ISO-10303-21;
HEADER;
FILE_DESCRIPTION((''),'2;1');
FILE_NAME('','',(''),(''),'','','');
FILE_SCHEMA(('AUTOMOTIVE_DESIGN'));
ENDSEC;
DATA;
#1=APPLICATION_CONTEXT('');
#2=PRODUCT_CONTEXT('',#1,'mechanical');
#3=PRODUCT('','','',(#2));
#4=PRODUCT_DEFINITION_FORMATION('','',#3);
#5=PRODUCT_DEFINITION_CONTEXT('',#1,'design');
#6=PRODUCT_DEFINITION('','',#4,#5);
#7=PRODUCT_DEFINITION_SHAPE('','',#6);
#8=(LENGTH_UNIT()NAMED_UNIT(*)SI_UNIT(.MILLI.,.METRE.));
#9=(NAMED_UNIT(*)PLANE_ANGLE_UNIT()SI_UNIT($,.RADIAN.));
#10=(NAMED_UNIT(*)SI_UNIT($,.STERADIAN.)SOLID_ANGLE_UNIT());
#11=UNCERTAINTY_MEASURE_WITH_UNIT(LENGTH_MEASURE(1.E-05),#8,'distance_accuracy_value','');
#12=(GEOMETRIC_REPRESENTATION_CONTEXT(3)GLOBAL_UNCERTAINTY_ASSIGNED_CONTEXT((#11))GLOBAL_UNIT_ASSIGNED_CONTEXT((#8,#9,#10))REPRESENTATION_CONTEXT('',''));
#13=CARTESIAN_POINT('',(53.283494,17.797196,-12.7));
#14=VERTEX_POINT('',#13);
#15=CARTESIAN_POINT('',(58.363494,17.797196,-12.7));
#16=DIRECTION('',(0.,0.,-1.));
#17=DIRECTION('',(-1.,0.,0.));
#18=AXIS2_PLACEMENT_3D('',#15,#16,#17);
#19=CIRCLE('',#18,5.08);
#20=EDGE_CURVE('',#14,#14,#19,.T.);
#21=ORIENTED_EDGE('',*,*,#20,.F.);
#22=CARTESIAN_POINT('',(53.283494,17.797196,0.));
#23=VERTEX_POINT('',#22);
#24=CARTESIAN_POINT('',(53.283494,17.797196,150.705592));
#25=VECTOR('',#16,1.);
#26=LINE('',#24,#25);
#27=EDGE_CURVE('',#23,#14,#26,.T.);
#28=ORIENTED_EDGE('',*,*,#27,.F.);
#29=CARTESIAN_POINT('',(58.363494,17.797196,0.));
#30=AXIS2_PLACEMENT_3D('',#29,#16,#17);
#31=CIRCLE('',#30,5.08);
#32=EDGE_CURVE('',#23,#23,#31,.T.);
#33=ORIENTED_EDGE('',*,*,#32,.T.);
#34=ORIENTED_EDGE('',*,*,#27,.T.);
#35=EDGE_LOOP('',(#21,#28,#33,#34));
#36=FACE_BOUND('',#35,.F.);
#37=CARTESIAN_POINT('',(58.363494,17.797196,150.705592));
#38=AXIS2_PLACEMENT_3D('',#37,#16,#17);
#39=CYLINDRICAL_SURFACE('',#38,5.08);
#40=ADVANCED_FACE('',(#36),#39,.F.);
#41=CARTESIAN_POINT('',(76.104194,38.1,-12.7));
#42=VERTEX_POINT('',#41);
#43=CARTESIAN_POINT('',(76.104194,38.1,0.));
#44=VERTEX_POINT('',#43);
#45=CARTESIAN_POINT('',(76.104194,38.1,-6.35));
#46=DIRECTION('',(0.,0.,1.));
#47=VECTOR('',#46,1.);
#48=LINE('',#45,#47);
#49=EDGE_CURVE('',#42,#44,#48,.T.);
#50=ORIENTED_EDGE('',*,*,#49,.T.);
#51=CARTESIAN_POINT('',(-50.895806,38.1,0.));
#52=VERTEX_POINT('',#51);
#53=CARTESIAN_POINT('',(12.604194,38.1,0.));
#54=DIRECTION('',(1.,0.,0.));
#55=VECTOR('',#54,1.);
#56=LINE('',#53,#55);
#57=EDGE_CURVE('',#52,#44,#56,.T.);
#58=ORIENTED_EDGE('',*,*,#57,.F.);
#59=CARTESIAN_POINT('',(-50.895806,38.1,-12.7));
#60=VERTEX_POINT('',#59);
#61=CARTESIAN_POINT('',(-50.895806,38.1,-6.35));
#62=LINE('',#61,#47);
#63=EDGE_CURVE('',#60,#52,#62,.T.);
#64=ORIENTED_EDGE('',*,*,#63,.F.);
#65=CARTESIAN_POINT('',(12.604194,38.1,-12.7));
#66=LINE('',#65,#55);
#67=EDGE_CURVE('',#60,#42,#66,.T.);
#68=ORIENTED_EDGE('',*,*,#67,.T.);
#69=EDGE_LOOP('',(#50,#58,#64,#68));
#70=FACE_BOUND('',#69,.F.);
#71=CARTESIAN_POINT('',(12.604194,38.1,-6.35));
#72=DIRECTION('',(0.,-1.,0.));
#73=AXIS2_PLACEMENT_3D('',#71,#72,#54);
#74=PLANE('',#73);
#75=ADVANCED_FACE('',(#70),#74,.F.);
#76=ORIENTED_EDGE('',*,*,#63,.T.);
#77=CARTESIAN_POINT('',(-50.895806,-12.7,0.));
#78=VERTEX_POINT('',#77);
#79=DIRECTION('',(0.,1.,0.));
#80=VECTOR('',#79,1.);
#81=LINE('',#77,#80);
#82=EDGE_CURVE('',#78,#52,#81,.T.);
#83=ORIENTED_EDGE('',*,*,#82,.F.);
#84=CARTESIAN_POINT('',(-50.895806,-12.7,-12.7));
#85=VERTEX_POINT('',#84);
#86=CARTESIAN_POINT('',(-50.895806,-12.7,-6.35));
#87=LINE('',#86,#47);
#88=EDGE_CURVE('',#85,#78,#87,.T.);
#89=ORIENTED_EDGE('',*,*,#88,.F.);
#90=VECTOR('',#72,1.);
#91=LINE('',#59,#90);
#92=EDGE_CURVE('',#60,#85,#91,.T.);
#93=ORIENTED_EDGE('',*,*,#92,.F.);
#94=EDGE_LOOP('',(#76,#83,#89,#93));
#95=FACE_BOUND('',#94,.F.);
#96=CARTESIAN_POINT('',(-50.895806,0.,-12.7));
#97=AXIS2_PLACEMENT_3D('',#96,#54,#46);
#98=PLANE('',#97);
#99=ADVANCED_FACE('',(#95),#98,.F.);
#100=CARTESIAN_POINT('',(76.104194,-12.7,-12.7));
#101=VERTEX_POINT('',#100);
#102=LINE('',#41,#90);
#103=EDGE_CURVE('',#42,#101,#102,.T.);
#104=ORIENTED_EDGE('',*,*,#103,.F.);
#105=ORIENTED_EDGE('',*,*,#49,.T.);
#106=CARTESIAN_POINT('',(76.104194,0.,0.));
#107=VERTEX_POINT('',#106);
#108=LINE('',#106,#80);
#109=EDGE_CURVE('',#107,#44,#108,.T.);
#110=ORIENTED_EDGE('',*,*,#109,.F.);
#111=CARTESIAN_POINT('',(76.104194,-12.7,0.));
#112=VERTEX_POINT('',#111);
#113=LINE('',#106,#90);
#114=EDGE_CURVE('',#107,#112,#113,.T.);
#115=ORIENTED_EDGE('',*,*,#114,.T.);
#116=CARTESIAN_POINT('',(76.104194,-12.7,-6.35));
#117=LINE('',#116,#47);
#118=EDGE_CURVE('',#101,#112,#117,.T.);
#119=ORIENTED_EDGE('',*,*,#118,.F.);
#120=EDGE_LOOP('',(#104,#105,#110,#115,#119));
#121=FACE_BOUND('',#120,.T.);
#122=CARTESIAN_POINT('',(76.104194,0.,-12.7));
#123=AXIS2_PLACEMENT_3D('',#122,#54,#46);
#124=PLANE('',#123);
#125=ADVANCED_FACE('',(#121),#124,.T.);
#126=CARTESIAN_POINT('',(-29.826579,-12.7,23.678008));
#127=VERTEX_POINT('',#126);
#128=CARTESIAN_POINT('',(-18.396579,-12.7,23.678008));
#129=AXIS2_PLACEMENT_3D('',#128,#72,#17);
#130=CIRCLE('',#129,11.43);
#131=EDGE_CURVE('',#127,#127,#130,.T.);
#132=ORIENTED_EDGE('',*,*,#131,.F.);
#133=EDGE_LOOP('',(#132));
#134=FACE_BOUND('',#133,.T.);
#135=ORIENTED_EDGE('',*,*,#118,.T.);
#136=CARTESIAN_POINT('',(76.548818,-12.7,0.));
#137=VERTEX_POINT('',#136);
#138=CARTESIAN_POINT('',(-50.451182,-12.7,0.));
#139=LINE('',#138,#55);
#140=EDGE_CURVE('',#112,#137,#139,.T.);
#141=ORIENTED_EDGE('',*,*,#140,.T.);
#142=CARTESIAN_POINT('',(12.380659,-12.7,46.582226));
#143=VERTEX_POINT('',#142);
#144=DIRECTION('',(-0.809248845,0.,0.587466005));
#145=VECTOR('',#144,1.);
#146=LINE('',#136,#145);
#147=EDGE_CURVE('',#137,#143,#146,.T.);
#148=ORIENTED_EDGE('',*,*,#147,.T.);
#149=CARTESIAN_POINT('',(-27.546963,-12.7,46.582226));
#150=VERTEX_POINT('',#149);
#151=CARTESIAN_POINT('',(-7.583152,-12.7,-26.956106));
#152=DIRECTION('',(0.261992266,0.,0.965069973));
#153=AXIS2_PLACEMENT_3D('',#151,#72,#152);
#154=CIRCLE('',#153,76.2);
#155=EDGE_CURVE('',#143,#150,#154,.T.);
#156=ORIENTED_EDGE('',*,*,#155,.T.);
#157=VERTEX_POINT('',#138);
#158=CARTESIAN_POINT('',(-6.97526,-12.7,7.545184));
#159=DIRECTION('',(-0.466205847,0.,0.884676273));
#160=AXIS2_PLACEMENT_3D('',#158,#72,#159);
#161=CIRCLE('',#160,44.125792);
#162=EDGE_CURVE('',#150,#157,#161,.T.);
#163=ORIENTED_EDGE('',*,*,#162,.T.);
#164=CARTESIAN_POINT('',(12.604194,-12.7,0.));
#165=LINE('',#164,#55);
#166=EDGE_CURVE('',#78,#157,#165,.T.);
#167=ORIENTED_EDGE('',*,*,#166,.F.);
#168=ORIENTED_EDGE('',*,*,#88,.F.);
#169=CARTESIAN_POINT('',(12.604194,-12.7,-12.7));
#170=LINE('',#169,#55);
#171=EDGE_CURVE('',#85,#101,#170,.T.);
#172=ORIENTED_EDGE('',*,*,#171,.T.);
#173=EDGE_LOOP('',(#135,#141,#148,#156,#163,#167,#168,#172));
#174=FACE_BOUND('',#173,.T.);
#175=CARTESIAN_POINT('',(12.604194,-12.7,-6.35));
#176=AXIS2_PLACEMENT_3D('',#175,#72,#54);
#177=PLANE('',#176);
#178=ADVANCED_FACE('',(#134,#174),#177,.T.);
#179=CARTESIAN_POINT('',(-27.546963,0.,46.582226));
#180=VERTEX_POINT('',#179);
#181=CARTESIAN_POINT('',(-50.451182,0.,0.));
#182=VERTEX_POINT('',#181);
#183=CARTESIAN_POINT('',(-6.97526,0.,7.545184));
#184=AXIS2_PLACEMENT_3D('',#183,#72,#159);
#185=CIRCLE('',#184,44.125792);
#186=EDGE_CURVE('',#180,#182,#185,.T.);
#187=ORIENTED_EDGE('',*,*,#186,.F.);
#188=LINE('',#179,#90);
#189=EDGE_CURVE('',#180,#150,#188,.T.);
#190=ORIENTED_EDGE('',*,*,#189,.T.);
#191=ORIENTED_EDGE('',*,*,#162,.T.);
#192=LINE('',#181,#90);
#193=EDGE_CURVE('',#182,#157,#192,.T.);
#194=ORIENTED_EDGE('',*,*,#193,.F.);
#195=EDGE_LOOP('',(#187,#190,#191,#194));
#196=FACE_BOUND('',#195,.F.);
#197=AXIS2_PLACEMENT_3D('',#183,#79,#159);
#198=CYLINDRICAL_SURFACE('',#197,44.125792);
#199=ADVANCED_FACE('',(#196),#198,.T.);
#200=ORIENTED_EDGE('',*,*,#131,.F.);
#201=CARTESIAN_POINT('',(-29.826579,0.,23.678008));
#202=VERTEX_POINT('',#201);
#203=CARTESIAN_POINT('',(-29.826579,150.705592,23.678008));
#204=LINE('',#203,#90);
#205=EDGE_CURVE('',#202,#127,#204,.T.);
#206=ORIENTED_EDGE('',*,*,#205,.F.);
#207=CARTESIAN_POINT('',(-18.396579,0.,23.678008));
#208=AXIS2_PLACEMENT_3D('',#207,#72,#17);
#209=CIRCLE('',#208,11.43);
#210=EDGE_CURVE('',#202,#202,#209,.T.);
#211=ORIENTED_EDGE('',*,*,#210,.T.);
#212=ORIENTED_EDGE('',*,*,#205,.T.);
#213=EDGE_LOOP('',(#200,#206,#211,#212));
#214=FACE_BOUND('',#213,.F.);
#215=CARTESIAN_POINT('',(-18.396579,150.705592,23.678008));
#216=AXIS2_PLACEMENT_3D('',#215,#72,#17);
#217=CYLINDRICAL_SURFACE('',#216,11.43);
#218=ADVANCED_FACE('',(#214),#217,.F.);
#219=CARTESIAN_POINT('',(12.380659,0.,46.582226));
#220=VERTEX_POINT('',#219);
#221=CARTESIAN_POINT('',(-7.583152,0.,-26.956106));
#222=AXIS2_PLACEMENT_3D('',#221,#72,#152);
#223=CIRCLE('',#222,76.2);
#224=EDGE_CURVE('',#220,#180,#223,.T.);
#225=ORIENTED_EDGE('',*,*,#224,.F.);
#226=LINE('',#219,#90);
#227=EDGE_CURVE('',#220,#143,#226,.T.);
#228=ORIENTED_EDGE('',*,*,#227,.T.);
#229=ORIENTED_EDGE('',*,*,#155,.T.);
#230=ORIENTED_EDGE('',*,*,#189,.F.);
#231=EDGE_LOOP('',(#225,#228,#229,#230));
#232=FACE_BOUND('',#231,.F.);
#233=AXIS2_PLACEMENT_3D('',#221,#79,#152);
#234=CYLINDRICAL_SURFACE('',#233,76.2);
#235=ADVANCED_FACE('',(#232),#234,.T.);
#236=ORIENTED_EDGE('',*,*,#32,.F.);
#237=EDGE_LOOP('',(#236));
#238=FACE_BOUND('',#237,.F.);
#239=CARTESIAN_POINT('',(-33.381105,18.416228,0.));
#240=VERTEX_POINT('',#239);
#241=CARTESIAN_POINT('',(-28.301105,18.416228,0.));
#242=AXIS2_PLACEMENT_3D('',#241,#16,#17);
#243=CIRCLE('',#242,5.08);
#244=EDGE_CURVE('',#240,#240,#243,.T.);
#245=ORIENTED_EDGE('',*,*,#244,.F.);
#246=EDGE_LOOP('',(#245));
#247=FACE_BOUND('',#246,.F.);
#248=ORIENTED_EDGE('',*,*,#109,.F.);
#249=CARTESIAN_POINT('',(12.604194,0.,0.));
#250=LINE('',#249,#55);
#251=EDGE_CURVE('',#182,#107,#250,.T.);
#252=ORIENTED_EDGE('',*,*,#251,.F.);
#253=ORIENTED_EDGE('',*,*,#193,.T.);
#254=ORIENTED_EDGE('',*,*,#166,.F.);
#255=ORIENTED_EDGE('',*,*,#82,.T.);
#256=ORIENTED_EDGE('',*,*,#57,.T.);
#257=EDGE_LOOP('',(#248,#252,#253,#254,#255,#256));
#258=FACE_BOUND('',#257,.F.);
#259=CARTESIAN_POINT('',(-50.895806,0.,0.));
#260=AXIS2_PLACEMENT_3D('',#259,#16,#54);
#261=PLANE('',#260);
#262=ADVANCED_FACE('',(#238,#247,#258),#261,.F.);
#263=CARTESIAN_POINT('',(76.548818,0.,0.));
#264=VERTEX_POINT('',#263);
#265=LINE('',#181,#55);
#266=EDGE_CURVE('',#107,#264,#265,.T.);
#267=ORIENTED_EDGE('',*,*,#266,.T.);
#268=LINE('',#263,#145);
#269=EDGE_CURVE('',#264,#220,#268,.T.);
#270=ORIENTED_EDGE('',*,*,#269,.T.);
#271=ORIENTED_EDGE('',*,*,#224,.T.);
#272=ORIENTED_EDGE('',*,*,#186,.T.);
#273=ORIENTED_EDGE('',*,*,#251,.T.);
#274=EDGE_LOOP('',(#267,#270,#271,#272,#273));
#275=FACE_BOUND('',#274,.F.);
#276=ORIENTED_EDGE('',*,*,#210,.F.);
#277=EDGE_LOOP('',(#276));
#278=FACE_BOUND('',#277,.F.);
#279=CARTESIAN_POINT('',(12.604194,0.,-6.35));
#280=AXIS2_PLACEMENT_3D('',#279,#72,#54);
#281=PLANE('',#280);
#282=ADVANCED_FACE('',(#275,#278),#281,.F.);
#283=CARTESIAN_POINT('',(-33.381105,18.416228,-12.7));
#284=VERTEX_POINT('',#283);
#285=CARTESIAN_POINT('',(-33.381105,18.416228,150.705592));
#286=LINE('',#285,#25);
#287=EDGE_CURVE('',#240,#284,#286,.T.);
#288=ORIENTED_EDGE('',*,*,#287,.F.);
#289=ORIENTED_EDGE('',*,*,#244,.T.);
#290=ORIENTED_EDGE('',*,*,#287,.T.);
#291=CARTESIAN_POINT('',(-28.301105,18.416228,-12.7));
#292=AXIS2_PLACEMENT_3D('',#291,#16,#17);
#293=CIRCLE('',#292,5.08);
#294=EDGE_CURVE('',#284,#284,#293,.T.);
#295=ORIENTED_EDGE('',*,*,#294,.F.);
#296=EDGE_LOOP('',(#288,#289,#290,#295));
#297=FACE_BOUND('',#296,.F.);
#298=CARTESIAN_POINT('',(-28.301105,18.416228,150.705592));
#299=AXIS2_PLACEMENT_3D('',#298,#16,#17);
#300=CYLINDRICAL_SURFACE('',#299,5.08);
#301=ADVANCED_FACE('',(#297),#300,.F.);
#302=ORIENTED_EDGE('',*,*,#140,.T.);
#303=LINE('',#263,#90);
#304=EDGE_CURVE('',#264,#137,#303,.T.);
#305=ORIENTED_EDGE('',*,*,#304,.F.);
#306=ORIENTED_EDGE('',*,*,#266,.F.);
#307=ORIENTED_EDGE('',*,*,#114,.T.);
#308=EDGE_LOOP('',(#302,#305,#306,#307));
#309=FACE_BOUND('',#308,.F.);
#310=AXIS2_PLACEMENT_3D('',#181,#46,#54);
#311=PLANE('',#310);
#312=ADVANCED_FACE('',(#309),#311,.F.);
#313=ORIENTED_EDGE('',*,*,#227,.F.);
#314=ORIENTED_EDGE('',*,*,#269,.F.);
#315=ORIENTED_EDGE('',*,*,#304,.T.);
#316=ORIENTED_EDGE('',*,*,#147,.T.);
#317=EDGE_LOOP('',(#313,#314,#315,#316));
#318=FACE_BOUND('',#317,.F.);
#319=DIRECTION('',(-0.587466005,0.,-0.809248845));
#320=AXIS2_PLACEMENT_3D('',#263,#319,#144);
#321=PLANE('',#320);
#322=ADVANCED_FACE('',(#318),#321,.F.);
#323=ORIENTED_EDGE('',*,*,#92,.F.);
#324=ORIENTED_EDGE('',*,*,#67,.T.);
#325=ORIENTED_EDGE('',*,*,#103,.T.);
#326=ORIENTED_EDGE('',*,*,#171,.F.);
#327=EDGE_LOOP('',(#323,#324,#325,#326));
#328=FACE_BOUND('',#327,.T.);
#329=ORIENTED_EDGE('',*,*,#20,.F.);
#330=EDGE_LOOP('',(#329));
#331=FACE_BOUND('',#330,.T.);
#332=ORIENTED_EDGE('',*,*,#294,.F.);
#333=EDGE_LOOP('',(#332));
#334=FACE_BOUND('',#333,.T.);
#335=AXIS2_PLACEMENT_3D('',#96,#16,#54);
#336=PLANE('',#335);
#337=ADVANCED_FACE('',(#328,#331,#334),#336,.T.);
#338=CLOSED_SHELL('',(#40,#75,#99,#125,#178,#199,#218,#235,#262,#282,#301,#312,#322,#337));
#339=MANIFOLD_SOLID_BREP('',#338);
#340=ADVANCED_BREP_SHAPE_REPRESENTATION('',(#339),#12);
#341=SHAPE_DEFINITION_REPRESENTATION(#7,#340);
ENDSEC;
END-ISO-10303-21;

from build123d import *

# Parameters (mm, degrees)
F1_DEPTH      = 12.7
F2_W          = 127
F2_H          = 12.7
F3_DEPTH      = 12.7
F3_DEPTH_BACK = 38.1
F5_D          = 10.16
F7_D          = 22.86


with BuildPart() as f1:
    # F0 (on Front) → F1 (new body)
    with BuildSketch(Plane.XZ):
        with BuildLine():
            ThreePointArc((-27.5469627231, 46.5822257102), (-46.5732460023, 27.0152915934), (-50.451181829, 0))
            Line((-50.451181829, 0), (76.548818171, 0))
            Line((76.548818171, 0), (12.3806586489, 46.5822257102))
            ThreePointArc((12.3806586489, 46.5822257102), (-7.5831520371, 49.2438937812), (-27.5469627231, 46.5822257102))
        make_face()
    extrude(amount=F1_DEPTH)

    # F2 (on Front) → F3 (join, two sides)
    with BuildSketch(Plane.XZ) as f3_sk:
        with Locations((12.604193598, -6.35)):
            Rectangle(F2_W, F2_H)
    extrude(amount=F3_DEPTH)
    extrude(f3_sk.sketch, amount=-F3_DEPTH_BACK)

    # F5 (through all)
    with Locations(Plane.XY):
        with Locations((-28.3011049032, 18.4162277728), (58.3634935319, 17.7971962839)):
            Hole(F5_D / 2)

    # F7 (through all)
    with Locations(Plane(origin=(0, 0, 0), x_dir=(1, 0, 0), z_dir=(0, 1, 0))):
        with Locations((-18.3965787292, -23.678008467)):
            Hole(F7_D / 2)


solid = f1.part
